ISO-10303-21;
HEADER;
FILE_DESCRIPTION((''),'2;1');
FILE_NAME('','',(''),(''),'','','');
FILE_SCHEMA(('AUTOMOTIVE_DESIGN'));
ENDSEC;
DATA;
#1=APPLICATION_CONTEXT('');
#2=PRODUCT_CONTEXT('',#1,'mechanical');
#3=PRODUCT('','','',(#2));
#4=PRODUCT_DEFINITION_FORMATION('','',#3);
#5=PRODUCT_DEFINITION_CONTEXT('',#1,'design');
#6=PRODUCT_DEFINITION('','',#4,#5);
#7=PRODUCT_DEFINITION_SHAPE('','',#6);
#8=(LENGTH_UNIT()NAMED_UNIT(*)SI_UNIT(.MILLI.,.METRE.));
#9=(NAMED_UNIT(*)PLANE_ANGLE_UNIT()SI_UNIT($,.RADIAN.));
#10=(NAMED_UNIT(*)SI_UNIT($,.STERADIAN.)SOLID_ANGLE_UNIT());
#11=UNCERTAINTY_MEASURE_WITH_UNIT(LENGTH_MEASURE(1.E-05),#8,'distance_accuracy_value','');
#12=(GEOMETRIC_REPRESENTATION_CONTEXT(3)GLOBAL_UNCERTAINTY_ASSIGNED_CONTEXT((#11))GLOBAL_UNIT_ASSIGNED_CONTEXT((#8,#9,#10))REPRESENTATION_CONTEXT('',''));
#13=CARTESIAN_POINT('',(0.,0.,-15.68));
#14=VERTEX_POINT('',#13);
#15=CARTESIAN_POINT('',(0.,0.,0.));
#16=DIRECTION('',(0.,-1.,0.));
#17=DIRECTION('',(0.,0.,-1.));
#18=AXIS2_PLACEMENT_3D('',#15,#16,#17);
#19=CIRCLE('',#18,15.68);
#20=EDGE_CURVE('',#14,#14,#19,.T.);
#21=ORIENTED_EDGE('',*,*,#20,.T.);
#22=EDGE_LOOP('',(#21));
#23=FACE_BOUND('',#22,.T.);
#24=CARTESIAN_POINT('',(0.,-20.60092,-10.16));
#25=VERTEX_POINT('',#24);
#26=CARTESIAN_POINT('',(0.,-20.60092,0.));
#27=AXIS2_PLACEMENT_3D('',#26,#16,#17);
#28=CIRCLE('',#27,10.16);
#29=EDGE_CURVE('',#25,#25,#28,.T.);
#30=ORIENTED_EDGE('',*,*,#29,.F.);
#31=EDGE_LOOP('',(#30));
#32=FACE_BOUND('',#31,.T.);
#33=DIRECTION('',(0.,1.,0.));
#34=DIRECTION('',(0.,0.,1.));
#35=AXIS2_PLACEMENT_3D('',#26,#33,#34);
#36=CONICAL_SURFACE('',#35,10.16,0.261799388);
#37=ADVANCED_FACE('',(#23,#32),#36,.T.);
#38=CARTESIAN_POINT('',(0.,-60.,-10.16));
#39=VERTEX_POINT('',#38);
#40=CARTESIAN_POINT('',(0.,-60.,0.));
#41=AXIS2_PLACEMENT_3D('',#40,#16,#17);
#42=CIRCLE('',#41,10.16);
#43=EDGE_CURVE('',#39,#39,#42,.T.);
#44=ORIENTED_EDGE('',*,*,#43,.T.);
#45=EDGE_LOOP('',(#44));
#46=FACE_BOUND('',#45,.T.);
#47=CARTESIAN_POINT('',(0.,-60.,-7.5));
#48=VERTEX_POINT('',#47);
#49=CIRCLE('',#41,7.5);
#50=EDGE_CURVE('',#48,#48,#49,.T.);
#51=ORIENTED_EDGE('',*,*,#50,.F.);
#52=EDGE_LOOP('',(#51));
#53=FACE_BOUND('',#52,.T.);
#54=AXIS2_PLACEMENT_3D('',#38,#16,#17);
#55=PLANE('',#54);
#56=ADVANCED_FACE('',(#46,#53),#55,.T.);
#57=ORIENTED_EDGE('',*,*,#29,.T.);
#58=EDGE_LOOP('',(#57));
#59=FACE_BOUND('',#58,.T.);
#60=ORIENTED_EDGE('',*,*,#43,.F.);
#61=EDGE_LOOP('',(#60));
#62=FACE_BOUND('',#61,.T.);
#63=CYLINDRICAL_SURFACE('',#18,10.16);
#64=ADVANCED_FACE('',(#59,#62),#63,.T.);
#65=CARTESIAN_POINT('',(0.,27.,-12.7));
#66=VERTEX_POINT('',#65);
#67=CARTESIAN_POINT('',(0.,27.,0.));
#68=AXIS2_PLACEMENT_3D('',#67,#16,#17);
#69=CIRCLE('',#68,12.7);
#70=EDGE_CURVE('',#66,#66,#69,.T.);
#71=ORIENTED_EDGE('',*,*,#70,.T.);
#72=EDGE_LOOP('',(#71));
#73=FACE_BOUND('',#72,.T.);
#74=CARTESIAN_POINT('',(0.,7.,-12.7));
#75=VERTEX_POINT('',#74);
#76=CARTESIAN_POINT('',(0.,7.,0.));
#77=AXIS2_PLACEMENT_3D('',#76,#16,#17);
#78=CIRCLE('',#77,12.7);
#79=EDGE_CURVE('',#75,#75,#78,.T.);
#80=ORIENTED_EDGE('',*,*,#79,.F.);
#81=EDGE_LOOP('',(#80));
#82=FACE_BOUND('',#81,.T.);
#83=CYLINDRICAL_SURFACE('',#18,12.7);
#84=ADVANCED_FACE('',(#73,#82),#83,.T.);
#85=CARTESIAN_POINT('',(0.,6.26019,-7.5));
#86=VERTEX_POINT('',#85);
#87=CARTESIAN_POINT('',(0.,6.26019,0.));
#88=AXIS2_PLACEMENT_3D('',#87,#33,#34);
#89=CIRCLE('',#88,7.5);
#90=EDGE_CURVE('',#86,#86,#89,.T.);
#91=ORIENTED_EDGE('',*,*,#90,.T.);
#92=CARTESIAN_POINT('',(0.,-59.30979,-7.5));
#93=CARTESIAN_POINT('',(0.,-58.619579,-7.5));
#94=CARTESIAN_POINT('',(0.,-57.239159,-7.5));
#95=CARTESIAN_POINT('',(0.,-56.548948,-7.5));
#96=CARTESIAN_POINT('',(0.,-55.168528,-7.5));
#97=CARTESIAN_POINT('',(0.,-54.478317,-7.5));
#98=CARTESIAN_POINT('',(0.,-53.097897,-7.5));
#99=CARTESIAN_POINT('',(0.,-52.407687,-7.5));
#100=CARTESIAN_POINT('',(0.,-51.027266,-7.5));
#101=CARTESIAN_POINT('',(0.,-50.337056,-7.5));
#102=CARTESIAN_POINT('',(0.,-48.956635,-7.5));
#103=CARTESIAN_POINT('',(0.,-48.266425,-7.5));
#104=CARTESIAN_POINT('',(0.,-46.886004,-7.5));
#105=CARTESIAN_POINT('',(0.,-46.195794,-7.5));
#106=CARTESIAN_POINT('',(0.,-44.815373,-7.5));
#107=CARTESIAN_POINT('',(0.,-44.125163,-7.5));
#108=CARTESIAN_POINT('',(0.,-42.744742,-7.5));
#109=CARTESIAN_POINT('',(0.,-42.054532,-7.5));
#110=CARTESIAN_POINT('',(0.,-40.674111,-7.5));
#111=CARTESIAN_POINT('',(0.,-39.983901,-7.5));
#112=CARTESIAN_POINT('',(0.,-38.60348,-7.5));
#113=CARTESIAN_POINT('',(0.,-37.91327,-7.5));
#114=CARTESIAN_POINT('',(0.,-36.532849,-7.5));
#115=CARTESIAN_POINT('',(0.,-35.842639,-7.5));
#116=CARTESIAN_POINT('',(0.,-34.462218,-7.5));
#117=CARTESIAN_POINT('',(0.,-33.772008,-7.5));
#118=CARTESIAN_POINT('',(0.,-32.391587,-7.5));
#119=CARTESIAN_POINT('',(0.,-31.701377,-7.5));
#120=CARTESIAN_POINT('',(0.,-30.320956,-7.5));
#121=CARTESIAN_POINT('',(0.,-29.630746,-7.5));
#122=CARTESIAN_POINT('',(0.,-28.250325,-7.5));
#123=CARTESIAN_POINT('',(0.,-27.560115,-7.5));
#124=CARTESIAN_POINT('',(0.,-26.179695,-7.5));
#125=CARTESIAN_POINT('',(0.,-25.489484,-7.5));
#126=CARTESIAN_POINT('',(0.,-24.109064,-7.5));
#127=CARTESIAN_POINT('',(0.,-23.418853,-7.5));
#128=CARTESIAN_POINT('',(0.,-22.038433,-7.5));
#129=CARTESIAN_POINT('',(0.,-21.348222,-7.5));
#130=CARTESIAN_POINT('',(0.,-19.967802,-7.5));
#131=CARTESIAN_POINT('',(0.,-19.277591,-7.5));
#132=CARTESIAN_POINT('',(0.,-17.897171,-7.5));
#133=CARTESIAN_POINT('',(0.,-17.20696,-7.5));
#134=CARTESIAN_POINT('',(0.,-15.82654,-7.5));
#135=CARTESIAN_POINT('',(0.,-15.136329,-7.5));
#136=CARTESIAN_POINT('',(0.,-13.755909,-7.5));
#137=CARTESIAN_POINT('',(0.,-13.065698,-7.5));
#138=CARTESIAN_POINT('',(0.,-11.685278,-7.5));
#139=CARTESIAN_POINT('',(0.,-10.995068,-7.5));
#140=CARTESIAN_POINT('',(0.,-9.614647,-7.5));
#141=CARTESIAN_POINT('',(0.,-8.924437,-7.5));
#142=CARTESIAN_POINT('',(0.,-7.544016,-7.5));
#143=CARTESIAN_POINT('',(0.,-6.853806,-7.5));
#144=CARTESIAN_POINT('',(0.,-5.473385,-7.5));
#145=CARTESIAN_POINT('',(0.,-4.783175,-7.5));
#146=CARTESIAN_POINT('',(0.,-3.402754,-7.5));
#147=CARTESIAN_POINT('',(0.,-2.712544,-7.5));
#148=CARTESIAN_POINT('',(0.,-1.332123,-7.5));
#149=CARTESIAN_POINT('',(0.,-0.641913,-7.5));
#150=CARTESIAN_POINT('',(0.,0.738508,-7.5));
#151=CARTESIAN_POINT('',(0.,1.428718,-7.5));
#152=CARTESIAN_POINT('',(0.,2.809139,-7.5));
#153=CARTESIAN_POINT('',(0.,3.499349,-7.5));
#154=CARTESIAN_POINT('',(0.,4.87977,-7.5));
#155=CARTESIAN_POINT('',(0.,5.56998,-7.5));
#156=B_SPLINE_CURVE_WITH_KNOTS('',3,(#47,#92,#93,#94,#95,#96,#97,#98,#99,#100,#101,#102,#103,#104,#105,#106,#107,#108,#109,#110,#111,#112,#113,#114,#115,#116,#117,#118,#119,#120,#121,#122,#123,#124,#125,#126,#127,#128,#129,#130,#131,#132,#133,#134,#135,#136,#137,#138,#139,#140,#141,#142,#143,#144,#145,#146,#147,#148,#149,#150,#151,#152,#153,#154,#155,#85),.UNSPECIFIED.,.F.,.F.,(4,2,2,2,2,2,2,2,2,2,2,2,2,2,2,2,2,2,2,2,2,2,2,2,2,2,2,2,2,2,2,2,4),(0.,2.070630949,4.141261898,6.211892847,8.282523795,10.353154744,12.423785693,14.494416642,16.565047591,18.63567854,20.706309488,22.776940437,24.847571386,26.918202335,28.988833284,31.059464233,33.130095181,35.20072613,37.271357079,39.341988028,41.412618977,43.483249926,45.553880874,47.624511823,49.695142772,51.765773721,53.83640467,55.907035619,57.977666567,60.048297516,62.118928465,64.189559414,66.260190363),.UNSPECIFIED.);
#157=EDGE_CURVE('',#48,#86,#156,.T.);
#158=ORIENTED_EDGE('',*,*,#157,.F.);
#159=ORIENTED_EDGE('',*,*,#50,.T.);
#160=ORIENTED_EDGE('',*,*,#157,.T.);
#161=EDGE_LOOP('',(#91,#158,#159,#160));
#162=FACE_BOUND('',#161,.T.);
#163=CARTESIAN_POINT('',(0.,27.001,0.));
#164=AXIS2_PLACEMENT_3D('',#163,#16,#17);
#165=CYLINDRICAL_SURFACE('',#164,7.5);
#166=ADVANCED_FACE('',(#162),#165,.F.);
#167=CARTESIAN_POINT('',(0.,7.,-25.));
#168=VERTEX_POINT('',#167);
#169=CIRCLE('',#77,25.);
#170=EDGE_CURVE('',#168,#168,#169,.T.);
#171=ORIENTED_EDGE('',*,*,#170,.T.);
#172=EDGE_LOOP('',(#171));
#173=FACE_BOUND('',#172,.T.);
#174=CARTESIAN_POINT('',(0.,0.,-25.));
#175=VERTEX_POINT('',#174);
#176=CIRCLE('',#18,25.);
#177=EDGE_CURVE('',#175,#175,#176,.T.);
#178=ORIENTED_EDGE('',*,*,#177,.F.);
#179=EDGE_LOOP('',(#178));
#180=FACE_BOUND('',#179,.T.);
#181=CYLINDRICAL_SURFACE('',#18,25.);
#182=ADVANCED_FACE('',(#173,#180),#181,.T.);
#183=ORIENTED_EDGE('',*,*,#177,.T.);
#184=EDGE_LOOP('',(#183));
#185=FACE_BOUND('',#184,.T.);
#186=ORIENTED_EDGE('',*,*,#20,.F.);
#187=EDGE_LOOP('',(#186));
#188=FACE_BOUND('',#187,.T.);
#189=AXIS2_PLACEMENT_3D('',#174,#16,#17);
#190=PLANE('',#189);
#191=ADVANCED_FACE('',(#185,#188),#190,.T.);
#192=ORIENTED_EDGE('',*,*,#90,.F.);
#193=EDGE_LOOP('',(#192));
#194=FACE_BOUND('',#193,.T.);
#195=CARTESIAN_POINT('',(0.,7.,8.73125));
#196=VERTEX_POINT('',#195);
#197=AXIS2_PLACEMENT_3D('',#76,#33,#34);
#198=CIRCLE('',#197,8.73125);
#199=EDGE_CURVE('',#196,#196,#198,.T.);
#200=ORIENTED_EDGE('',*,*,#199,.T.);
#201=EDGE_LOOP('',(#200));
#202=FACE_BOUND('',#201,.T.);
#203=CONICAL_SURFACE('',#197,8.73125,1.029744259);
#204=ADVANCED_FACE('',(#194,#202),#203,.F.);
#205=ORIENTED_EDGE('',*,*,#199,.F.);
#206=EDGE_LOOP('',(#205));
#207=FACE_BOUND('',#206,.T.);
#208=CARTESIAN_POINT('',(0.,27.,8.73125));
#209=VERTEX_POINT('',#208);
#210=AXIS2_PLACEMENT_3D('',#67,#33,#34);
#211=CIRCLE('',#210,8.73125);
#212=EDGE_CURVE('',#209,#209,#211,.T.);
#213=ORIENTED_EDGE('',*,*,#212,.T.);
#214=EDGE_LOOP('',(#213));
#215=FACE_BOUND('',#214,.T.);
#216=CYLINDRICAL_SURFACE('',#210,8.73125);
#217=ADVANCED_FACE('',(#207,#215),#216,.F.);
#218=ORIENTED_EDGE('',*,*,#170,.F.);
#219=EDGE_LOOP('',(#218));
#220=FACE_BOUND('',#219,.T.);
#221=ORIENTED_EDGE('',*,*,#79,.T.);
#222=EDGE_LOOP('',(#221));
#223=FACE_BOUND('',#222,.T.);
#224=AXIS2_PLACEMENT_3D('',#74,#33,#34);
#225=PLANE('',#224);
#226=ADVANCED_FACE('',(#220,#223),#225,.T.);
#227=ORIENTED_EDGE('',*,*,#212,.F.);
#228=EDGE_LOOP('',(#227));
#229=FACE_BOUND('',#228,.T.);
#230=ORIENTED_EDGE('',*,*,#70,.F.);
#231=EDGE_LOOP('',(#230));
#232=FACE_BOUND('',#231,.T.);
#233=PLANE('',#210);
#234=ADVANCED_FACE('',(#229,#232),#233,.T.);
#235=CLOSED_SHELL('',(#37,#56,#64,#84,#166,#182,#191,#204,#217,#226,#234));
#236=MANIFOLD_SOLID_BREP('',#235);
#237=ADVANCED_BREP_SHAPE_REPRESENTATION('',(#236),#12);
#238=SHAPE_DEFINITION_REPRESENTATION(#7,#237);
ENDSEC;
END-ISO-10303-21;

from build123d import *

# Parameters (mm, degrees)
F_3_4_16_TAPPED_HOLE1_D     = 17.4625
F_3_4_16_TAPPED_HOLE1_DEPTH = 20
F_3_4_16_TAPPED_HOLE1_TIP   = 5.24626428
CUT_EXTRUDE1_REACH          = 95.91
SKETCH5_R                   = 7.5


with BuildPart() as part:
    # Sketch1 → Revolve1 (revolve)
    with BuildSketch(Plane(origin=(0, 0, 0), x_dir=(0, 0, -1), z_dir=(1, 0, 0))):
        Polygon((0, 27), (12.7, 27), (12.7, 7), (25, 7), (25, 0), (15.68, 0), (10.16, -20.600920458), (10.16, -60), (0, -60), align=None)
    revolve(axis=Axis((0, 0, 0), (0, 1, 0)))

    # 3/4-16 Tapped Hole1
    with Locations(Plane(origin=(0, 27, 0), x_dir=(1, 0, 0), z_dir=(0, 1, 0))):
        with Locations((0, 0)):
            Hole(F_3_4_16_TAPPED_HOLE1_D / 2, depth=F_3_4_16_TAPPED_HOLE1_DEPTH)
            with Locations((0, 0, -(F_3_4_16_TAPPED_HOLE1_DEPTH + F_3_4_16_TAPPED_HOLE1_TIP / 2))):  # 118° drill point
                Cone(0, F_3_4_16_TAPPED_HOLE1_D / 2, F_3_4_16_TAPPED_HOLE1_TIP, mode=Mode.SUBTRACT)

    # Cut-Extrude1: up to this cone (the profile starts outside it)
    cut_extrude1_end = Plane(origin=(0, -60, 0), z_dir=(0, 1, 0)).offset(61.75373672) * Cone(1.664e-06, 57.677709576, 34.65626328, align=(Align.CENTER, Align.CENTER, Align.MIN), mode=Mode.PRIVATE)
    # Sketch5 → Cut-Extrude1 (cut, up to the surface)
    with BuildSketch(Plane.XZ.offset(60), mode=Mode.PRIVATE) as cut_extrude1_sk1:
        with Locations(Location((0, 0, 0), (0, 0, 270))):
            Circle(SKETCH5_R)
    cut_extrude1_tool1 = extrude(cut_extrude1_sk1.sketch, amount=-CUT_EXTRUDE1_REACH, mode=Mode.PRIVATE) - cut_extrude1_end
    add(cut_extrude1_tool1.solids().sort_by_distance((0, -60, 0))[0], mode=Mode.SUBTRACT)


solid = part.part
